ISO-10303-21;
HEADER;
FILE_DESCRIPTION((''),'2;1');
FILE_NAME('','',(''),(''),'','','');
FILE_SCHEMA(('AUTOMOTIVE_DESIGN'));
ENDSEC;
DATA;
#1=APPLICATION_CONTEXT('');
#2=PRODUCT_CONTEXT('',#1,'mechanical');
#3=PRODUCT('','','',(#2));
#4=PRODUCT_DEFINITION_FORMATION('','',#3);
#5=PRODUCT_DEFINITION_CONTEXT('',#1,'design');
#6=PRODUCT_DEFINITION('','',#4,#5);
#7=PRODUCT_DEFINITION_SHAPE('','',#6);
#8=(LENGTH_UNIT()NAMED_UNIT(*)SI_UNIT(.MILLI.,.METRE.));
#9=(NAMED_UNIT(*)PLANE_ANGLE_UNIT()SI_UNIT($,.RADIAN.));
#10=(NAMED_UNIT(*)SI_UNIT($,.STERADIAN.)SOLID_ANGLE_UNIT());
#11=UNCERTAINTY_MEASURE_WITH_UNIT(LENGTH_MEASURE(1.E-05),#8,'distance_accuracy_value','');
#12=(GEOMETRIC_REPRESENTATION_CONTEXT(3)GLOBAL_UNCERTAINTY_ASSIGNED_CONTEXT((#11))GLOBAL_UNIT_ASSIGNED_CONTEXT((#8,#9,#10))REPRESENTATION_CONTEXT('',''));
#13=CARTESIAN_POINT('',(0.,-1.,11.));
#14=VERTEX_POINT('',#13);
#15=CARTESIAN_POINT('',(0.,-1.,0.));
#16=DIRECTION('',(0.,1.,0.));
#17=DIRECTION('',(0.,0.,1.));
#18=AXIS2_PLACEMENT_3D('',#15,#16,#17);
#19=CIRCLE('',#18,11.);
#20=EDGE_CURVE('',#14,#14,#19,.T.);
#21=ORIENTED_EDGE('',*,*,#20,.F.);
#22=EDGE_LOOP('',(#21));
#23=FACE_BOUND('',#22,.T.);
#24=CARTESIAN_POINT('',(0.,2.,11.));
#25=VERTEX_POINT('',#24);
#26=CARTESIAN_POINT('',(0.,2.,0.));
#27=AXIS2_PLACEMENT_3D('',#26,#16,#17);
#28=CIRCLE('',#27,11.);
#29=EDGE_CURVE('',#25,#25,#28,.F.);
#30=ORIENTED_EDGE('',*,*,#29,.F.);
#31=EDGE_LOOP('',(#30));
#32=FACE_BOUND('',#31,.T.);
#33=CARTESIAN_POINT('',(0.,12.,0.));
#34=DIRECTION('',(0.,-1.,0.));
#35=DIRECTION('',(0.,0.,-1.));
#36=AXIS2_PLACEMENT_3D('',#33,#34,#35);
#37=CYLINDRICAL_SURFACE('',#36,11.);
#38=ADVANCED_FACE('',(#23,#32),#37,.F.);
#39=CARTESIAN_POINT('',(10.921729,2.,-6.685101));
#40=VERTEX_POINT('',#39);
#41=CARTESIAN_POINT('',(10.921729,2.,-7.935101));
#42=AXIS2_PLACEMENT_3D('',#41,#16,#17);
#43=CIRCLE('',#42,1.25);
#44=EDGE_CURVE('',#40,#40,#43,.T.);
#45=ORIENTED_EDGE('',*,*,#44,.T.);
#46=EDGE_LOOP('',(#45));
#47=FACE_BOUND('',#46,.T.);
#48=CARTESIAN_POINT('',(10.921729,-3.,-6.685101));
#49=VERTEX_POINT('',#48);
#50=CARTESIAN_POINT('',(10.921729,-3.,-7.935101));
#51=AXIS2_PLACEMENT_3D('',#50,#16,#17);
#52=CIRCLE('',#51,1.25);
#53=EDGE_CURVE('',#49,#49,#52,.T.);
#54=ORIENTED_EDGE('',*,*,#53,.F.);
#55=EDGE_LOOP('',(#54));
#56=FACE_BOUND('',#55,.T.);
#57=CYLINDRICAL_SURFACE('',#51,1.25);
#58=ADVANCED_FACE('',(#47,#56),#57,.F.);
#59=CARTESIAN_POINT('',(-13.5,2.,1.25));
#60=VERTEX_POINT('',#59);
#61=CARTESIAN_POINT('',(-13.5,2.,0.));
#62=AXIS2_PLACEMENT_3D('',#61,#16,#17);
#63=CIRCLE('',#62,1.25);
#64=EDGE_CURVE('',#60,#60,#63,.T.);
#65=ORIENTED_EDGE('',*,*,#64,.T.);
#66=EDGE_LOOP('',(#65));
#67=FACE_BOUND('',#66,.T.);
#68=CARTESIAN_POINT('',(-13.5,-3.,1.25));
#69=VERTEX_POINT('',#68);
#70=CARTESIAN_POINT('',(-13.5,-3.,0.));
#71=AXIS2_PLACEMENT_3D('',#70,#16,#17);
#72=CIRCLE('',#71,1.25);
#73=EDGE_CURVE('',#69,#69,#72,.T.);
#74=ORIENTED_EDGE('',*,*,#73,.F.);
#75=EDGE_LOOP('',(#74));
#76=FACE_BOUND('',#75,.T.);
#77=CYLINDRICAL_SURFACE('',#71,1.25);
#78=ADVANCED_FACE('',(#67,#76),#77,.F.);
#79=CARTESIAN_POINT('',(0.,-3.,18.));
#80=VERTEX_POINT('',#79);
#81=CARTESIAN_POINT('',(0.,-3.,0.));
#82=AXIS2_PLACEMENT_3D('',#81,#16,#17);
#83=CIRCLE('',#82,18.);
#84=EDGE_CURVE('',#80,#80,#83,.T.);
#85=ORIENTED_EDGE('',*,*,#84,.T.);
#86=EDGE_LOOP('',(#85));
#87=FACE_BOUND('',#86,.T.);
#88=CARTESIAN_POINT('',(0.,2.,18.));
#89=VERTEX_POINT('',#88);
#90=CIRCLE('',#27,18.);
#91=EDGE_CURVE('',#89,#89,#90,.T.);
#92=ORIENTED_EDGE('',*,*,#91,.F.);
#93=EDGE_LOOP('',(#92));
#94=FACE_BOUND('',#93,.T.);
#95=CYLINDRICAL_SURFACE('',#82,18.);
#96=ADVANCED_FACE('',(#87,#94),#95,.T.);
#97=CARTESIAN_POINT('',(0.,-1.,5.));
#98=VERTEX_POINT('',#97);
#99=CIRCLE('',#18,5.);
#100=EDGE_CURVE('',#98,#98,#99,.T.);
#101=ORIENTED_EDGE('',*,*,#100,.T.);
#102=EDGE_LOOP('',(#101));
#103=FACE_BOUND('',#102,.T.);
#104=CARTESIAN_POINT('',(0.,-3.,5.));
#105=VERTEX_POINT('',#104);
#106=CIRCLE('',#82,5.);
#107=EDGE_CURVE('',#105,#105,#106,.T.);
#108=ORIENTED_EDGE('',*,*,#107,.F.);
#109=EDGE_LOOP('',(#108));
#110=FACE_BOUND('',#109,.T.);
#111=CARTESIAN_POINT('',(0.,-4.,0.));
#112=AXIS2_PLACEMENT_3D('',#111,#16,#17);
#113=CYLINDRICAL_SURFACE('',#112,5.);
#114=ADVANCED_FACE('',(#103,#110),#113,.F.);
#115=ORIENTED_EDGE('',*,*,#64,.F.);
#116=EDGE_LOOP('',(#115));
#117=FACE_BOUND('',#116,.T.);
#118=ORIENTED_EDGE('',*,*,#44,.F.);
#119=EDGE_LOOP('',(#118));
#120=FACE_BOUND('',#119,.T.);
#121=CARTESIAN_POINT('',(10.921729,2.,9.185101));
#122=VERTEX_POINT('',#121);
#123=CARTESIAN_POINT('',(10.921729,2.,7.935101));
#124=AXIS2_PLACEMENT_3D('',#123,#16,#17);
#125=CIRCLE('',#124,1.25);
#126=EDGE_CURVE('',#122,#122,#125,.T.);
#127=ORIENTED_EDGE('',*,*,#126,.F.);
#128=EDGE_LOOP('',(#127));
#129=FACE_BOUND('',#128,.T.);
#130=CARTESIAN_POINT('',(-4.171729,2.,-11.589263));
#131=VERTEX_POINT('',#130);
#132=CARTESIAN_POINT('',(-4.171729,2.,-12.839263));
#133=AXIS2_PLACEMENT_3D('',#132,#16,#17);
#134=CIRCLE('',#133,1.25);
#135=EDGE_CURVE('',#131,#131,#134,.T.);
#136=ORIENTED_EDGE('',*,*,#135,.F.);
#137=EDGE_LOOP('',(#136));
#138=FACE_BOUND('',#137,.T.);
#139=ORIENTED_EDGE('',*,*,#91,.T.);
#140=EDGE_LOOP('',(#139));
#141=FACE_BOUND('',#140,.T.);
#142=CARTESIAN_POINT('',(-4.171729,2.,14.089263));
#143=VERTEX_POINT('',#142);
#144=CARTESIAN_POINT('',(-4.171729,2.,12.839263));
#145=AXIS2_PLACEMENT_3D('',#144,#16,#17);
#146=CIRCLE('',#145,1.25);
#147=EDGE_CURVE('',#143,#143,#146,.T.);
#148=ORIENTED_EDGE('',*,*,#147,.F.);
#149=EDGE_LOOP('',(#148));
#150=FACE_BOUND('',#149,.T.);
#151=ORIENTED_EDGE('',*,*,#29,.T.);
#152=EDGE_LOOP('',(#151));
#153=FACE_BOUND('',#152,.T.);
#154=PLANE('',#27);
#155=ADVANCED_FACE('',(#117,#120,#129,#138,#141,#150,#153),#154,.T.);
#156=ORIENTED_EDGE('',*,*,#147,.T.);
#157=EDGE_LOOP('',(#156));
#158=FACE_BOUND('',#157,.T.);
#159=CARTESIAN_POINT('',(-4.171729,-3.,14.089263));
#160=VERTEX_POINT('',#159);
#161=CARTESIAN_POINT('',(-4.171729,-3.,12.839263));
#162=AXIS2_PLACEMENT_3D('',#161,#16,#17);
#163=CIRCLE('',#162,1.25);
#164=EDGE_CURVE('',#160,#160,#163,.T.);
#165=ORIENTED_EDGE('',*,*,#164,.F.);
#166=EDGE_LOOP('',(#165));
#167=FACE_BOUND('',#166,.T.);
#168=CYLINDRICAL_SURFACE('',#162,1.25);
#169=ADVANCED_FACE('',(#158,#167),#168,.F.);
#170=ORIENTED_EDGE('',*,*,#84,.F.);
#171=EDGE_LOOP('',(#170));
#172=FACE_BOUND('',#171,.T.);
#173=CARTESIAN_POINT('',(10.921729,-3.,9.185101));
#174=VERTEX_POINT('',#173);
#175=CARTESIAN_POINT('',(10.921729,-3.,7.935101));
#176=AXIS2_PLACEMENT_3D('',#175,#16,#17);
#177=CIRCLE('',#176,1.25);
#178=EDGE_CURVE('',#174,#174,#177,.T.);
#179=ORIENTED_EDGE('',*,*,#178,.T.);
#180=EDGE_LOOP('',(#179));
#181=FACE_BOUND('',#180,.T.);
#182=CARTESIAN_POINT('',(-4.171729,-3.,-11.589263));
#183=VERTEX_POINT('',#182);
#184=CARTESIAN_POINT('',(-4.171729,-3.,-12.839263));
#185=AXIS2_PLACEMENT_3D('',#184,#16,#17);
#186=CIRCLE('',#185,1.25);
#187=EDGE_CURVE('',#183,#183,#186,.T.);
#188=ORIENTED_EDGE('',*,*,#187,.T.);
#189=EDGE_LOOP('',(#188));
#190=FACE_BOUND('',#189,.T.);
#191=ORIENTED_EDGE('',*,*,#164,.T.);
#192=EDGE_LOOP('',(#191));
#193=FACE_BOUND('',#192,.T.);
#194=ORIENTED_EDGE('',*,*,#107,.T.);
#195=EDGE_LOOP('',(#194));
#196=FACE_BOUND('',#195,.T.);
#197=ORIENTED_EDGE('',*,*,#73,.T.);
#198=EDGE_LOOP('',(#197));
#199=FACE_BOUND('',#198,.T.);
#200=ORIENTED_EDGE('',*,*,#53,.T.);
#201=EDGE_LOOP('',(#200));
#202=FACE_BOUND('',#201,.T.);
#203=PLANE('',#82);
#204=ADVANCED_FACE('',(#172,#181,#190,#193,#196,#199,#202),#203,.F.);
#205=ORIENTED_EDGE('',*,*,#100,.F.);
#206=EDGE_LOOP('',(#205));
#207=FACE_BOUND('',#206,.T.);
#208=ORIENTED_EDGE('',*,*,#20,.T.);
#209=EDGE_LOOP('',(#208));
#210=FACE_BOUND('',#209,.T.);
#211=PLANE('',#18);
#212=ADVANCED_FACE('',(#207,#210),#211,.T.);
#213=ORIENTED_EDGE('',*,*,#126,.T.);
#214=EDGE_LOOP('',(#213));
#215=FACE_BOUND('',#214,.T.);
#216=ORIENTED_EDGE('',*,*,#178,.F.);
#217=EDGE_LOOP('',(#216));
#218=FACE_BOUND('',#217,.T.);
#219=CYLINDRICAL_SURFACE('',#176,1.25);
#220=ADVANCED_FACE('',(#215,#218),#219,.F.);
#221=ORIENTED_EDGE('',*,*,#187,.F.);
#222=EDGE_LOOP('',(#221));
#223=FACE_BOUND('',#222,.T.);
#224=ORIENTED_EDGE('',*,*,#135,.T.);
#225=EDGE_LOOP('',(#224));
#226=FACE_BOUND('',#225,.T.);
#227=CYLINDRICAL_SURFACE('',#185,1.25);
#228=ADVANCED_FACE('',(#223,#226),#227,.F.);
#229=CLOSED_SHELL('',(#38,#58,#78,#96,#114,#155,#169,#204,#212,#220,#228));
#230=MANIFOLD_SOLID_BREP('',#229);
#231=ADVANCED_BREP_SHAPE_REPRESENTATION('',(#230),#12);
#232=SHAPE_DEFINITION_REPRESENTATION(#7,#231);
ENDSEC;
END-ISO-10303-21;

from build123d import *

# Parameters (mm, degrees)
BOSS_EXTRUDE1_DEPTH      = 2
BOSS_EXTRUDE1_DEPTH_BACK = 3
SKETCH1_R                = 16
SKETCH1_R_2              = 1.75
SKETCH1_R_3              = 1.25
SKETCH2_R                = 4.95
SKETCH2_R_2              = 2.95
BOSS_EXTRUDE3_DEPTH      = 3
SKETCH5_R                = 3.5
CUT_EXTRUDE2_DEPTH       = 4
SKETCH6_R                = 18
SKETCH6_R_2              = 16
BOSS_EXTRUDE4_DEPTH      = 5
CUT_EXTRUDE3_DEPTH       = 10
CUT_EXTRUDE3_DEPTH_BACK  = 3
SKETCH7_R                = 11
SKETCH8_R                = 5
CUT_EXTRUDE4_DEPTH       = 3


with BuildPart() as part:
    # Sketch1 → Boss-Extrude1 (new, two sides: drawn at the far end of the back side and taken through both)
    with BuildSketch(Plane(origin=(0, 0, 0), x_dir=(1, 0, 0), z_dir=(0, 1, 0)).offset(-BOSS_EXTRUDE1_DEPTH_BACK)):
        with Locations(Location((0, 0, 0), (0, 0, 270))):
            Circle(SKETCH1_R)
        with Locations(Location((0, 0, 0), (0, 0, 270))):
            Circle(SKETCH1_R_2, mode=Mode.SUBTRACT)
        with Locations(Location((-13.5, 0, 0), (0, 0, 270))):
            Circle(SKETCH1_R_3, mode=Mode.SUBTRACT)
        with Locations(Location((-4.171729424, 12.83926297, 0), (0, 0, 270))):
            Circle(SKETCH1_R_3, mode=Mode.SUBTRACT)
        with Locations(Location((10.921729424, 7.935100906, 0), (0, 0, 270))):
            Circle(SKETCH1_R_3, mode=Mode.SUBTRACT)
        with Locations(Location((10.921729424, -7.935100906, 0), (0, 0, 270))):
            Circle(SKETCH1_R_3, mode=Mode.SUBTRACT)
        with Locations(Location((-4.171729424, -12.83926297, 0), (0, 0, 270))):
            Circle(SKETCH1_R_3, mode=Mode.SUBTRACT)
    extrude(amount=BOSS_EXTRUDE1_DEPTH + BOSS_EXTRUDE1_DEPTH_BACK)

    # Sketch2 → Boss-Extrude3 (add)
    with BuildSketch(Plane(origin=(0, 2, 0), x_dir=(1, 0, 0), z_dir=(0, 1, 0))):
        with Locations(Location((0, 0, 0), (0, 0, 270))):
            Circle(SKETCH2_R)
        with Locations(Location((0, 0, 0), (0, 0, 270))):
            Circle(SKETCH2_R_2, mode=Mode.SUBTRACT)
    extrude(amount=BOSS_EXTRUDE3_DEPTH)

    # Sketch5 → Cut-Extrude2 (cut)
    with BuildSketch(Plane.XZ.offset(3)):
        with Locations(Location((0, 0, 0), (0, 0, 270))):
            Circle(SKETCH5_R)
    extrude(amount=-CUT_EXTRUDE2_DEPTH, mode=Mode.SUBTRACT)

    # Sketch6 → Boss-Extrude4 (add)
    with BuildSketch(Plane(origin=(0, 2, 0), x_dir=(1, 0, 0), z_dir=(0, 1, 0))):
        with Locations(Location((0, 0, 0), (0, 0, 270))):
            Circle(SKETCH6_R)
        Circle(SKETCH6_R_2, mode=Mode.SUBTRACT)
    extrude(amount=-BOSS_EXTRUDE4_DEPTH)

    # Sketch7 → Cut-Extrude3 (cut, two sides: drawn at the far end of the back side and taken through both)
    with BuildSketch(Plane(origin=(0, 2, 0), x_dir=(1, 0, 0), z_dir=(0, 1, 0)).offset(-CUT_EXTRUDE3_DEPTH_BACK)):
        with Locations(Location((0, 0, 0), (0, 0, 270))):
            Circle(SKETCH7_R)
    extrude(amount=CUT_EXTRUDE3_DEPTH + CUT_EXTRUDE3_DEPTH_BACK, mode=Mode.SUBTRACT)

    # Sketch8 → Cut-Extrude4 (cut)
    with BuildSketch(Plane(origin=(0, -1, 0), x_dir=(1, 0, 0), z_dir=(0, 1, 0))):
        with Locations(Location((0, 0, 0), (0, 0, 270))):
            Circle(SKETCH8_R)
    extrude(amount=-CUT_EXTRUDE4_DEPTH, mode=Mode.SUBTRACT)


solid = part.part
